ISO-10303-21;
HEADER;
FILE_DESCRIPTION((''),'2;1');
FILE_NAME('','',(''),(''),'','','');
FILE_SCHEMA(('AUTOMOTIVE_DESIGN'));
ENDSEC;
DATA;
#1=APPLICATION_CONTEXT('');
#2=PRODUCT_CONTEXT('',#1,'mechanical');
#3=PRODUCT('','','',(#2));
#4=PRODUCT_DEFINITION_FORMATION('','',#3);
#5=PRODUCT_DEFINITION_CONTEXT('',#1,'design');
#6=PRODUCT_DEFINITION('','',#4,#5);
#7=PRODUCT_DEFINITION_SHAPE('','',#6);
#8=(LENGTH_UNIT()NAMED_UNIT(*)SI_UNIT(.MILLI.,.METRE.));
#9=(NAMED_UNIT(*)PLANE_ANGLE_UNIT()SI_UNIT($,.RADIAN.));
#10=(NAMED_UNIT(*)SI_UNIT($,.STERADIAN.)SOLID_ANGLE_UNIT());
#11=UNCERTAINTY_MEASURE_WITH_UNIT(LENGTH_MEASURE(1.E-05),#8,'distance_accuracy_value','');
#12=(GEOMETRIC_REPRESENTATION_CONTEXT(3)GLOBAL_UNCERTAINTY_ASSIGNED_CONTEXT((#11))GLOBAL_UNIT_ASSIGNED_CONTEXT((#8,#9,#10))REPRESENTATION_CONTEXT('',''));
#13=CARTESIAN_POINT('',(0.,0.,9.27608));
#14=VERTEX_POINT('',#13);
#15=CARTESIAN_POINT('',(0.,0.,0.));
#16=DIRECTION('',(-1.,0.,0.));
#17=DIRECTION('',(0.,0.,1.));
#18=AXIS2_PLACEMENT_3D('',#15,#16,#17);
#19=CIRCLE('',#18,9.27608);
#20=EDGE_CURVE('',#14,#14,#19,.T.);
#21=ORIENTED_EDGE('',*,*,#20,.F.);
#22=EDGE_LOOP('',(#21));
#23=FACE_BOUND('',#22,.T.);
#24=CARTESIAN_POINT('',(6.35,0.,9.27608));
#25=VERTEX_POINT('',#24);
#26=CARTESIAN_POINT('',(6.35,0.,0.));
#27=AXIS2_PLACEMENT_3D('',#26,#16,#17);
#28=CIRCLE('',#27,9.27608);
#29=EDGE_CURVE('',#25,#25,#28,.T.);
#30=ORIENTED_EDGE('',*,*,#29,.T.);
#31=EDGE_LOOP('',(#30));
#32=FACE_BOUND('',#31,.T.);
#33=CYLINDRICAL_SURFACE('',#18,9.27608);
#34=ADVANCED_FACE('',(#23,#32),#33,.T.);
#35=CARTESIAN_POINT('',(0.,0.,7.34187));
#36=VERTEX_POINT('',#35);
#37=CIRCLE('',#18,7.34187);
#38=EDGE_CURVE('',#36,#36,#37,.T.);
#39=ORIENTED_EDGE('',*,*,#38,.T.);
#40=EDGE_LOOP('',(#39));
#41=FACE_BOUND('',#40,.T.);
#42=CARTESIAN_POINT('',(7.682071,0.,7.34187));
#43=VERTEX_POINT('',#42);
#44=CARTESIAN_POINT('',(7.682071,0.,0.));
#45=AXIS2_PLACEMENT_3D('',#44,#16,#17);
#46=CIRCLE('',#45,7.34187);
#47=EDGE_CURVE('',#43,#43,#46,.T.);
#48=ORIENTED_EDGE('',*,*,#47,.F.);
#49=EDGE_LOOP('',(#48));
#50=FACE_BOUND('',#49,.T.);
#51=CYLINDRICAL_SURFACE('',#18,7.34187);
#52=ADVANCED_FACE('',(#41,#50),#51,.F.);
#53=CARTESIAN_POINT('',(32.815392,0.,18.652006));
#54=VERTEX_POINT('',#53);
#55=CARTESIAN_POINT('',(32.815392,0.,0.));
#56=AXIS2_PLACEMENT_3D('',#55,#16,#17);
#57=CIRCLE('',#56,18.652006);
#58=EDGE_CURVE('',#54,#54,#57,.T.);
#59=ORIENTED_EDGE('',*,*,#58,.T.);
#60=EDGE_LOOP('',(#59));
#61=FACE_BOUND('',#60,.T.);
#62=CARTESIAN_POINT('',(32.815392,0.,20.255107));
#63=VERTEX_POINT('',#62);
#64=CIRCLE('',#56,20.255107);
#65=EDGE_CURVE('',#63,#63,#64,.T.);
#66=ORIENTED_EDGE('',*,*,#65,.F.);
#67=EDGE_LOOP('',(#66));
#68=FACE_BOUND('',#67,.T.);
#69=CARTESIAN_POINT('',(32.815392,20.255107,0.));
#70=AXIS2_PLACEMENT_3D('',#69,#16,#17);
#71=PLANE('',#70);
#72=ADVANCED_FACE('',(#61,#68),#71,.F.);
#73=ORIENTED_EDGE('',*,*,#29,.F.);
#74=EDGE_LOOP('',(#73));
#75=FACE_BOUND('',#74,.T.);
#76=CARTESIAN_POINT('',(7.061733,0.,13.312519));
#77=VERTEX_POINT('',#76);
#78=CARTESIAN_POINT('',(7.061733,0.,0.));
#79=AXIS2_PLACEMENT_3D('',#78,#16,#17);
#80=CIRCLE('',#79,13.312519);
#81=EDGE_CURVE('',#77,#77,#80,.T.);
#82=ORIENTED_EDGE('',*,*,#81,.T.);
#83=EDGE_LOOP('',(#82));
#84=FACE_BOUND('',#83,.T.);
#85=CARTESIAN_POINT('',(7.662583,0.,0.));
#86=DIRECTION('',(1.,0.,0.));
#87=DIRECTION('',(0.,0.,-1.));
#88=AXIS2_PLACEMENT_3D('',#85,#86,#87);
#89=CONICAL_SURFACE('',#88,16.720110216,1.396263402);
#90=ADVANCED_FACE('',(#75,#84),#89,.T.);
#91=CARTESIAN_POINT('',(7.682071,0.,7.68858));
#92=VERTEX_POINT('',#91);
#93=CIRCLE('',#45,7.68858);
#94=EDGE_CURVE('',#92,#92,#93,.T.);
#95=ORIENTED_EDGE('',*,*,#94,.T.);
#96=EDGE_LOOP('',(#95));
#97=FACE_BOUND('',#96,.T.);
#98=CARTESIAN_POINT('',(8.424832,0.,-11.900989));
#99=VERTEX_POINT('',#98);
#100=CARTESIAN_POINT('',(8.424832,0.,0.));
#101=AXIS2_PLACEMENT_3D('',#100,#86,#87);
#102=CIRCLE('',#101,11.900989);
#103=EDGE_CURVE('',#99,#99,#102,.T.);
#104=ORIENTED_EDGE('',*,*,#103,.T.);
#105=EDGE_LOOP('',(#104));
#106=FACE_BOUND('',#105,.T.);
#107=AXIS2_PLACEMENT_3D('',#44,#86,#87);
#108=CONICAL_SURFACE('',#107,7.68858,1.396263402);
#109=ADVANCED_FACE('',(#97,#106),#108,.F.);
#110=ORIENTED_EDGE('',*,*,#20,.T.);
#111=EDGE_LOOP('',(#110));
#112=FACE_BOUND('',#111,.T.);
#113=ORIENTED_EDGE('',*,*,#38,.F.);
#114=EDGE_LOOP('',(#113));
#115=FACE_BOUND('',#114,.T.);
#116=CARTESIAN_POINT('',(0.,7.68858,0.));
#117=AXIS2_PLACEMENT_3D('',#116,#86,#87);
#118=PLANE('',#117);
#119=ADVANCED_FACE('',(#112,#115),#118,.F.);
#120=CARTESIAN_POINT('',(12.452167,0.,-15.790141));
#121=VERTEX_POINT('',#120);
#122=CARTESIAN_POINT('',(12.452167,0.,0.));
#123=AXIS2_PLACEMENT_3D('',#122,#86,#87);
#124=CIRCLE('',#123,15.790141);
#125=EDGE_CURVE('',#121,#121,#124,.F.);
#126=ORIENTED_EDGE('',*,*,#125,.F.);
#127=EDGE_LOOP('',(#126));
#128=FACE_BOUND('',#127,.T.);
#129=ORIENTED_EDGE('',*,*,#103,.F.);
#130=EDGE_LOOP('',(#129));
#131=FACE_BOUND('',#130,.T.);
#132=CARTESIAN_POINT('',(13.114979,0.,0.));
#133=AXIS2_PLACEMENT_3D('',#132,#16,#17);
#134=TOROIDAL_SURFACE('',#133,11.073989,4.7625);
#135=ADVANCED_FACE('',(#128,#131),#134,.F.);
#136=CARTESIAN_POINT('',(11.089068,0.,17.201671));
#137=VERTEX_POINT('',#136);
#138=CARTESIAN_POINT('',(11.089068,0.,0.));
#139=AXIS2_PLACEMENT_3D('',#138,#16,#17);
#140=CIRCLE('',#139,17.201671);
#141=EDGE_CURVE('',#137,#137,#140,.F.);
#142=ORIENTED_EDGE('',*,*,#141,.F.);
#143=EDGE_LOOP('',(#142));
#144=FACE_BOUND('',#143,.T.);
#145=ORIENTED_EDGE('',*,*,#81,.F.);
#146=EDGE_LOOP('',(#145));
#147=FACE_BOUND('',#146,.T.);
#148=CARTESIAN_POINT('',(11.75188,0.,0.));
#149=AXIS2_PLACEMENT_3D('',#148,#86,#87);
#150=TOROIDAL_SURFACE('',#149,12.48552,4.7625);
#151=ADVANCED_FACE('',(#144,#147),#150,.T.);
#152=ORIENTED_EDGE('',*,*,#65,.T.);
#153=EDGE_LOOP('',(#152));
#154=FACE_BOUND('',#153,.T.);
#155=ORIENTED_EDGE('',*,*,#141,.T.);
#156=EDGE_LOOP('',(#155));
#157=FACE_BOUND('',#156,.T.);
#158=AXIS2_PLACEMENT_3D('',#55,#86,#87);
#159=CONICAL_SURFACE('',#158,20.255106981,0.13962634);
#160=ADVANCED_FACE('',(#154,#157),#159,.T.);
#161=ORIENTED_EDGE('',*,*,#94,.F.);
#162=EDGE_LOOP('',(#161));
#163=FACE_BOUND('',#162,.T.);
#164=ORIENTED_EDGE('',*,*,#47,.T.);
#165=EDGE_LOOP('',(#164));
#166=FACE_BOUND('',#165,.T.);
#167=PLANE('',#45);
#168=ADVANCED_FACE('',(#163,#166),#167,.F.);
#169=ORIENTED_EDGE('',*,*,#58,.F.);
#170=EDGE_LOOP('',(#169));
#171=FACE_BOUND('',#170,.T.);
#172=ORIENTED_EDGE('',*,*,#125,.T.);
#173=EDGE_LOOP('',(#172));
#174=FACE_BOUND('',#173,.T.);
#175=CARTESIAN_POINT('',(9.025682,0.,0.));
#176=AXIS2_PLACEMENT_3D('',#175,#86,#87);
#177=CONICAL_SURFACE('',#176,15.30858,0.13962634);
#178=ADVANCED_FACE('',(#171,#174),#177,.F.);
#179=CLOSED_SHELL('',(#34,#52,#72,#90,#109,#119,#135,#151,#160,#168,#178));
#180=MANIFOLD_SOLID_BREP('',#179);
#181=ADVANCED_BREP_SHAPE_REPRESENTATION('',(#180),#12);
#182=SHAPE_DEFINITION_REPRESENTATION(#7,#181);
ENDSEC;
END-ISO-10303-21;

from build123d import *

# Parameters (mm, degrees)
TAPPED_HOLE_FOR_9_16_12_HELICOIL1_D     = 14.68374
TAPPED_HOLE_FOR_9_16_12_HELICOIL1_DEPTH = 26.924
TAPPED_HOLE_FOR_9_16_12_HELICOIL1_TIP   = 4.411440553
FILLET1_R                               = 4.7625


with BuildPart() as part:
    # Sketch1 → Revolve1 (revolve)
    with BuildSketch(Plane.XY, mode=Mode.PRIVATE) as revolve1_sk:
        Polygon((0, 9.27608), (6.35, 9.27608), (7.662583372, 16.720110216), (32.815392318, 20.255106981), (32.815392318, 18.652005709), (9.025682257, 15.30858), (7.682070664, 7.68858), (7.682070664, 0), (0, 0), (0, 7.68858), align=None)
    revolve(revolve1_sk.sketch.rotate(Axis((0, 0, 0), (1, 0, 0)), 90), axis=Axis((0, 0, 0), (1, 0, 0)))

    # Tapped Hole for 9/16-12 Helicoil1
    with Locations(Plane.ZY):
        with Locations((0, 0)):
            Hole(TAPPED_HOLE_FOR_9_16_12_HELICOIL1_D / 2, depth=TAPPED_HOLE_FOR_9_16_12_HELICOIL1_DEPTH)
            with Locations((0, 0, -(TAPPED_HOLE_FOR_9_16_12_HELICOIL1_DEPTH + TAPPED_HOLE_FOR_9_16_12_HELICOIL1_TIP / 2))):  # 118° drill point
                Cone(0, TAPPED_HOLE_FOR_9_16_12_HELICOIL1_D / 2, TAPPED_HOLE_FOR_9_16_12_HELICOIL1_TIP, mode=Mode.SUBTRACT)

    # Fillet1
    fillet1_edges = [part.edges().sort_by_distance(p)[0] for p in [
        (9.025682257, 0, -15.30858),
        (7.662583372, 0, -16.720110216),
    ]]
    fillet(fillet1_edges, radius=FILLET1_R)


solid = part.part
